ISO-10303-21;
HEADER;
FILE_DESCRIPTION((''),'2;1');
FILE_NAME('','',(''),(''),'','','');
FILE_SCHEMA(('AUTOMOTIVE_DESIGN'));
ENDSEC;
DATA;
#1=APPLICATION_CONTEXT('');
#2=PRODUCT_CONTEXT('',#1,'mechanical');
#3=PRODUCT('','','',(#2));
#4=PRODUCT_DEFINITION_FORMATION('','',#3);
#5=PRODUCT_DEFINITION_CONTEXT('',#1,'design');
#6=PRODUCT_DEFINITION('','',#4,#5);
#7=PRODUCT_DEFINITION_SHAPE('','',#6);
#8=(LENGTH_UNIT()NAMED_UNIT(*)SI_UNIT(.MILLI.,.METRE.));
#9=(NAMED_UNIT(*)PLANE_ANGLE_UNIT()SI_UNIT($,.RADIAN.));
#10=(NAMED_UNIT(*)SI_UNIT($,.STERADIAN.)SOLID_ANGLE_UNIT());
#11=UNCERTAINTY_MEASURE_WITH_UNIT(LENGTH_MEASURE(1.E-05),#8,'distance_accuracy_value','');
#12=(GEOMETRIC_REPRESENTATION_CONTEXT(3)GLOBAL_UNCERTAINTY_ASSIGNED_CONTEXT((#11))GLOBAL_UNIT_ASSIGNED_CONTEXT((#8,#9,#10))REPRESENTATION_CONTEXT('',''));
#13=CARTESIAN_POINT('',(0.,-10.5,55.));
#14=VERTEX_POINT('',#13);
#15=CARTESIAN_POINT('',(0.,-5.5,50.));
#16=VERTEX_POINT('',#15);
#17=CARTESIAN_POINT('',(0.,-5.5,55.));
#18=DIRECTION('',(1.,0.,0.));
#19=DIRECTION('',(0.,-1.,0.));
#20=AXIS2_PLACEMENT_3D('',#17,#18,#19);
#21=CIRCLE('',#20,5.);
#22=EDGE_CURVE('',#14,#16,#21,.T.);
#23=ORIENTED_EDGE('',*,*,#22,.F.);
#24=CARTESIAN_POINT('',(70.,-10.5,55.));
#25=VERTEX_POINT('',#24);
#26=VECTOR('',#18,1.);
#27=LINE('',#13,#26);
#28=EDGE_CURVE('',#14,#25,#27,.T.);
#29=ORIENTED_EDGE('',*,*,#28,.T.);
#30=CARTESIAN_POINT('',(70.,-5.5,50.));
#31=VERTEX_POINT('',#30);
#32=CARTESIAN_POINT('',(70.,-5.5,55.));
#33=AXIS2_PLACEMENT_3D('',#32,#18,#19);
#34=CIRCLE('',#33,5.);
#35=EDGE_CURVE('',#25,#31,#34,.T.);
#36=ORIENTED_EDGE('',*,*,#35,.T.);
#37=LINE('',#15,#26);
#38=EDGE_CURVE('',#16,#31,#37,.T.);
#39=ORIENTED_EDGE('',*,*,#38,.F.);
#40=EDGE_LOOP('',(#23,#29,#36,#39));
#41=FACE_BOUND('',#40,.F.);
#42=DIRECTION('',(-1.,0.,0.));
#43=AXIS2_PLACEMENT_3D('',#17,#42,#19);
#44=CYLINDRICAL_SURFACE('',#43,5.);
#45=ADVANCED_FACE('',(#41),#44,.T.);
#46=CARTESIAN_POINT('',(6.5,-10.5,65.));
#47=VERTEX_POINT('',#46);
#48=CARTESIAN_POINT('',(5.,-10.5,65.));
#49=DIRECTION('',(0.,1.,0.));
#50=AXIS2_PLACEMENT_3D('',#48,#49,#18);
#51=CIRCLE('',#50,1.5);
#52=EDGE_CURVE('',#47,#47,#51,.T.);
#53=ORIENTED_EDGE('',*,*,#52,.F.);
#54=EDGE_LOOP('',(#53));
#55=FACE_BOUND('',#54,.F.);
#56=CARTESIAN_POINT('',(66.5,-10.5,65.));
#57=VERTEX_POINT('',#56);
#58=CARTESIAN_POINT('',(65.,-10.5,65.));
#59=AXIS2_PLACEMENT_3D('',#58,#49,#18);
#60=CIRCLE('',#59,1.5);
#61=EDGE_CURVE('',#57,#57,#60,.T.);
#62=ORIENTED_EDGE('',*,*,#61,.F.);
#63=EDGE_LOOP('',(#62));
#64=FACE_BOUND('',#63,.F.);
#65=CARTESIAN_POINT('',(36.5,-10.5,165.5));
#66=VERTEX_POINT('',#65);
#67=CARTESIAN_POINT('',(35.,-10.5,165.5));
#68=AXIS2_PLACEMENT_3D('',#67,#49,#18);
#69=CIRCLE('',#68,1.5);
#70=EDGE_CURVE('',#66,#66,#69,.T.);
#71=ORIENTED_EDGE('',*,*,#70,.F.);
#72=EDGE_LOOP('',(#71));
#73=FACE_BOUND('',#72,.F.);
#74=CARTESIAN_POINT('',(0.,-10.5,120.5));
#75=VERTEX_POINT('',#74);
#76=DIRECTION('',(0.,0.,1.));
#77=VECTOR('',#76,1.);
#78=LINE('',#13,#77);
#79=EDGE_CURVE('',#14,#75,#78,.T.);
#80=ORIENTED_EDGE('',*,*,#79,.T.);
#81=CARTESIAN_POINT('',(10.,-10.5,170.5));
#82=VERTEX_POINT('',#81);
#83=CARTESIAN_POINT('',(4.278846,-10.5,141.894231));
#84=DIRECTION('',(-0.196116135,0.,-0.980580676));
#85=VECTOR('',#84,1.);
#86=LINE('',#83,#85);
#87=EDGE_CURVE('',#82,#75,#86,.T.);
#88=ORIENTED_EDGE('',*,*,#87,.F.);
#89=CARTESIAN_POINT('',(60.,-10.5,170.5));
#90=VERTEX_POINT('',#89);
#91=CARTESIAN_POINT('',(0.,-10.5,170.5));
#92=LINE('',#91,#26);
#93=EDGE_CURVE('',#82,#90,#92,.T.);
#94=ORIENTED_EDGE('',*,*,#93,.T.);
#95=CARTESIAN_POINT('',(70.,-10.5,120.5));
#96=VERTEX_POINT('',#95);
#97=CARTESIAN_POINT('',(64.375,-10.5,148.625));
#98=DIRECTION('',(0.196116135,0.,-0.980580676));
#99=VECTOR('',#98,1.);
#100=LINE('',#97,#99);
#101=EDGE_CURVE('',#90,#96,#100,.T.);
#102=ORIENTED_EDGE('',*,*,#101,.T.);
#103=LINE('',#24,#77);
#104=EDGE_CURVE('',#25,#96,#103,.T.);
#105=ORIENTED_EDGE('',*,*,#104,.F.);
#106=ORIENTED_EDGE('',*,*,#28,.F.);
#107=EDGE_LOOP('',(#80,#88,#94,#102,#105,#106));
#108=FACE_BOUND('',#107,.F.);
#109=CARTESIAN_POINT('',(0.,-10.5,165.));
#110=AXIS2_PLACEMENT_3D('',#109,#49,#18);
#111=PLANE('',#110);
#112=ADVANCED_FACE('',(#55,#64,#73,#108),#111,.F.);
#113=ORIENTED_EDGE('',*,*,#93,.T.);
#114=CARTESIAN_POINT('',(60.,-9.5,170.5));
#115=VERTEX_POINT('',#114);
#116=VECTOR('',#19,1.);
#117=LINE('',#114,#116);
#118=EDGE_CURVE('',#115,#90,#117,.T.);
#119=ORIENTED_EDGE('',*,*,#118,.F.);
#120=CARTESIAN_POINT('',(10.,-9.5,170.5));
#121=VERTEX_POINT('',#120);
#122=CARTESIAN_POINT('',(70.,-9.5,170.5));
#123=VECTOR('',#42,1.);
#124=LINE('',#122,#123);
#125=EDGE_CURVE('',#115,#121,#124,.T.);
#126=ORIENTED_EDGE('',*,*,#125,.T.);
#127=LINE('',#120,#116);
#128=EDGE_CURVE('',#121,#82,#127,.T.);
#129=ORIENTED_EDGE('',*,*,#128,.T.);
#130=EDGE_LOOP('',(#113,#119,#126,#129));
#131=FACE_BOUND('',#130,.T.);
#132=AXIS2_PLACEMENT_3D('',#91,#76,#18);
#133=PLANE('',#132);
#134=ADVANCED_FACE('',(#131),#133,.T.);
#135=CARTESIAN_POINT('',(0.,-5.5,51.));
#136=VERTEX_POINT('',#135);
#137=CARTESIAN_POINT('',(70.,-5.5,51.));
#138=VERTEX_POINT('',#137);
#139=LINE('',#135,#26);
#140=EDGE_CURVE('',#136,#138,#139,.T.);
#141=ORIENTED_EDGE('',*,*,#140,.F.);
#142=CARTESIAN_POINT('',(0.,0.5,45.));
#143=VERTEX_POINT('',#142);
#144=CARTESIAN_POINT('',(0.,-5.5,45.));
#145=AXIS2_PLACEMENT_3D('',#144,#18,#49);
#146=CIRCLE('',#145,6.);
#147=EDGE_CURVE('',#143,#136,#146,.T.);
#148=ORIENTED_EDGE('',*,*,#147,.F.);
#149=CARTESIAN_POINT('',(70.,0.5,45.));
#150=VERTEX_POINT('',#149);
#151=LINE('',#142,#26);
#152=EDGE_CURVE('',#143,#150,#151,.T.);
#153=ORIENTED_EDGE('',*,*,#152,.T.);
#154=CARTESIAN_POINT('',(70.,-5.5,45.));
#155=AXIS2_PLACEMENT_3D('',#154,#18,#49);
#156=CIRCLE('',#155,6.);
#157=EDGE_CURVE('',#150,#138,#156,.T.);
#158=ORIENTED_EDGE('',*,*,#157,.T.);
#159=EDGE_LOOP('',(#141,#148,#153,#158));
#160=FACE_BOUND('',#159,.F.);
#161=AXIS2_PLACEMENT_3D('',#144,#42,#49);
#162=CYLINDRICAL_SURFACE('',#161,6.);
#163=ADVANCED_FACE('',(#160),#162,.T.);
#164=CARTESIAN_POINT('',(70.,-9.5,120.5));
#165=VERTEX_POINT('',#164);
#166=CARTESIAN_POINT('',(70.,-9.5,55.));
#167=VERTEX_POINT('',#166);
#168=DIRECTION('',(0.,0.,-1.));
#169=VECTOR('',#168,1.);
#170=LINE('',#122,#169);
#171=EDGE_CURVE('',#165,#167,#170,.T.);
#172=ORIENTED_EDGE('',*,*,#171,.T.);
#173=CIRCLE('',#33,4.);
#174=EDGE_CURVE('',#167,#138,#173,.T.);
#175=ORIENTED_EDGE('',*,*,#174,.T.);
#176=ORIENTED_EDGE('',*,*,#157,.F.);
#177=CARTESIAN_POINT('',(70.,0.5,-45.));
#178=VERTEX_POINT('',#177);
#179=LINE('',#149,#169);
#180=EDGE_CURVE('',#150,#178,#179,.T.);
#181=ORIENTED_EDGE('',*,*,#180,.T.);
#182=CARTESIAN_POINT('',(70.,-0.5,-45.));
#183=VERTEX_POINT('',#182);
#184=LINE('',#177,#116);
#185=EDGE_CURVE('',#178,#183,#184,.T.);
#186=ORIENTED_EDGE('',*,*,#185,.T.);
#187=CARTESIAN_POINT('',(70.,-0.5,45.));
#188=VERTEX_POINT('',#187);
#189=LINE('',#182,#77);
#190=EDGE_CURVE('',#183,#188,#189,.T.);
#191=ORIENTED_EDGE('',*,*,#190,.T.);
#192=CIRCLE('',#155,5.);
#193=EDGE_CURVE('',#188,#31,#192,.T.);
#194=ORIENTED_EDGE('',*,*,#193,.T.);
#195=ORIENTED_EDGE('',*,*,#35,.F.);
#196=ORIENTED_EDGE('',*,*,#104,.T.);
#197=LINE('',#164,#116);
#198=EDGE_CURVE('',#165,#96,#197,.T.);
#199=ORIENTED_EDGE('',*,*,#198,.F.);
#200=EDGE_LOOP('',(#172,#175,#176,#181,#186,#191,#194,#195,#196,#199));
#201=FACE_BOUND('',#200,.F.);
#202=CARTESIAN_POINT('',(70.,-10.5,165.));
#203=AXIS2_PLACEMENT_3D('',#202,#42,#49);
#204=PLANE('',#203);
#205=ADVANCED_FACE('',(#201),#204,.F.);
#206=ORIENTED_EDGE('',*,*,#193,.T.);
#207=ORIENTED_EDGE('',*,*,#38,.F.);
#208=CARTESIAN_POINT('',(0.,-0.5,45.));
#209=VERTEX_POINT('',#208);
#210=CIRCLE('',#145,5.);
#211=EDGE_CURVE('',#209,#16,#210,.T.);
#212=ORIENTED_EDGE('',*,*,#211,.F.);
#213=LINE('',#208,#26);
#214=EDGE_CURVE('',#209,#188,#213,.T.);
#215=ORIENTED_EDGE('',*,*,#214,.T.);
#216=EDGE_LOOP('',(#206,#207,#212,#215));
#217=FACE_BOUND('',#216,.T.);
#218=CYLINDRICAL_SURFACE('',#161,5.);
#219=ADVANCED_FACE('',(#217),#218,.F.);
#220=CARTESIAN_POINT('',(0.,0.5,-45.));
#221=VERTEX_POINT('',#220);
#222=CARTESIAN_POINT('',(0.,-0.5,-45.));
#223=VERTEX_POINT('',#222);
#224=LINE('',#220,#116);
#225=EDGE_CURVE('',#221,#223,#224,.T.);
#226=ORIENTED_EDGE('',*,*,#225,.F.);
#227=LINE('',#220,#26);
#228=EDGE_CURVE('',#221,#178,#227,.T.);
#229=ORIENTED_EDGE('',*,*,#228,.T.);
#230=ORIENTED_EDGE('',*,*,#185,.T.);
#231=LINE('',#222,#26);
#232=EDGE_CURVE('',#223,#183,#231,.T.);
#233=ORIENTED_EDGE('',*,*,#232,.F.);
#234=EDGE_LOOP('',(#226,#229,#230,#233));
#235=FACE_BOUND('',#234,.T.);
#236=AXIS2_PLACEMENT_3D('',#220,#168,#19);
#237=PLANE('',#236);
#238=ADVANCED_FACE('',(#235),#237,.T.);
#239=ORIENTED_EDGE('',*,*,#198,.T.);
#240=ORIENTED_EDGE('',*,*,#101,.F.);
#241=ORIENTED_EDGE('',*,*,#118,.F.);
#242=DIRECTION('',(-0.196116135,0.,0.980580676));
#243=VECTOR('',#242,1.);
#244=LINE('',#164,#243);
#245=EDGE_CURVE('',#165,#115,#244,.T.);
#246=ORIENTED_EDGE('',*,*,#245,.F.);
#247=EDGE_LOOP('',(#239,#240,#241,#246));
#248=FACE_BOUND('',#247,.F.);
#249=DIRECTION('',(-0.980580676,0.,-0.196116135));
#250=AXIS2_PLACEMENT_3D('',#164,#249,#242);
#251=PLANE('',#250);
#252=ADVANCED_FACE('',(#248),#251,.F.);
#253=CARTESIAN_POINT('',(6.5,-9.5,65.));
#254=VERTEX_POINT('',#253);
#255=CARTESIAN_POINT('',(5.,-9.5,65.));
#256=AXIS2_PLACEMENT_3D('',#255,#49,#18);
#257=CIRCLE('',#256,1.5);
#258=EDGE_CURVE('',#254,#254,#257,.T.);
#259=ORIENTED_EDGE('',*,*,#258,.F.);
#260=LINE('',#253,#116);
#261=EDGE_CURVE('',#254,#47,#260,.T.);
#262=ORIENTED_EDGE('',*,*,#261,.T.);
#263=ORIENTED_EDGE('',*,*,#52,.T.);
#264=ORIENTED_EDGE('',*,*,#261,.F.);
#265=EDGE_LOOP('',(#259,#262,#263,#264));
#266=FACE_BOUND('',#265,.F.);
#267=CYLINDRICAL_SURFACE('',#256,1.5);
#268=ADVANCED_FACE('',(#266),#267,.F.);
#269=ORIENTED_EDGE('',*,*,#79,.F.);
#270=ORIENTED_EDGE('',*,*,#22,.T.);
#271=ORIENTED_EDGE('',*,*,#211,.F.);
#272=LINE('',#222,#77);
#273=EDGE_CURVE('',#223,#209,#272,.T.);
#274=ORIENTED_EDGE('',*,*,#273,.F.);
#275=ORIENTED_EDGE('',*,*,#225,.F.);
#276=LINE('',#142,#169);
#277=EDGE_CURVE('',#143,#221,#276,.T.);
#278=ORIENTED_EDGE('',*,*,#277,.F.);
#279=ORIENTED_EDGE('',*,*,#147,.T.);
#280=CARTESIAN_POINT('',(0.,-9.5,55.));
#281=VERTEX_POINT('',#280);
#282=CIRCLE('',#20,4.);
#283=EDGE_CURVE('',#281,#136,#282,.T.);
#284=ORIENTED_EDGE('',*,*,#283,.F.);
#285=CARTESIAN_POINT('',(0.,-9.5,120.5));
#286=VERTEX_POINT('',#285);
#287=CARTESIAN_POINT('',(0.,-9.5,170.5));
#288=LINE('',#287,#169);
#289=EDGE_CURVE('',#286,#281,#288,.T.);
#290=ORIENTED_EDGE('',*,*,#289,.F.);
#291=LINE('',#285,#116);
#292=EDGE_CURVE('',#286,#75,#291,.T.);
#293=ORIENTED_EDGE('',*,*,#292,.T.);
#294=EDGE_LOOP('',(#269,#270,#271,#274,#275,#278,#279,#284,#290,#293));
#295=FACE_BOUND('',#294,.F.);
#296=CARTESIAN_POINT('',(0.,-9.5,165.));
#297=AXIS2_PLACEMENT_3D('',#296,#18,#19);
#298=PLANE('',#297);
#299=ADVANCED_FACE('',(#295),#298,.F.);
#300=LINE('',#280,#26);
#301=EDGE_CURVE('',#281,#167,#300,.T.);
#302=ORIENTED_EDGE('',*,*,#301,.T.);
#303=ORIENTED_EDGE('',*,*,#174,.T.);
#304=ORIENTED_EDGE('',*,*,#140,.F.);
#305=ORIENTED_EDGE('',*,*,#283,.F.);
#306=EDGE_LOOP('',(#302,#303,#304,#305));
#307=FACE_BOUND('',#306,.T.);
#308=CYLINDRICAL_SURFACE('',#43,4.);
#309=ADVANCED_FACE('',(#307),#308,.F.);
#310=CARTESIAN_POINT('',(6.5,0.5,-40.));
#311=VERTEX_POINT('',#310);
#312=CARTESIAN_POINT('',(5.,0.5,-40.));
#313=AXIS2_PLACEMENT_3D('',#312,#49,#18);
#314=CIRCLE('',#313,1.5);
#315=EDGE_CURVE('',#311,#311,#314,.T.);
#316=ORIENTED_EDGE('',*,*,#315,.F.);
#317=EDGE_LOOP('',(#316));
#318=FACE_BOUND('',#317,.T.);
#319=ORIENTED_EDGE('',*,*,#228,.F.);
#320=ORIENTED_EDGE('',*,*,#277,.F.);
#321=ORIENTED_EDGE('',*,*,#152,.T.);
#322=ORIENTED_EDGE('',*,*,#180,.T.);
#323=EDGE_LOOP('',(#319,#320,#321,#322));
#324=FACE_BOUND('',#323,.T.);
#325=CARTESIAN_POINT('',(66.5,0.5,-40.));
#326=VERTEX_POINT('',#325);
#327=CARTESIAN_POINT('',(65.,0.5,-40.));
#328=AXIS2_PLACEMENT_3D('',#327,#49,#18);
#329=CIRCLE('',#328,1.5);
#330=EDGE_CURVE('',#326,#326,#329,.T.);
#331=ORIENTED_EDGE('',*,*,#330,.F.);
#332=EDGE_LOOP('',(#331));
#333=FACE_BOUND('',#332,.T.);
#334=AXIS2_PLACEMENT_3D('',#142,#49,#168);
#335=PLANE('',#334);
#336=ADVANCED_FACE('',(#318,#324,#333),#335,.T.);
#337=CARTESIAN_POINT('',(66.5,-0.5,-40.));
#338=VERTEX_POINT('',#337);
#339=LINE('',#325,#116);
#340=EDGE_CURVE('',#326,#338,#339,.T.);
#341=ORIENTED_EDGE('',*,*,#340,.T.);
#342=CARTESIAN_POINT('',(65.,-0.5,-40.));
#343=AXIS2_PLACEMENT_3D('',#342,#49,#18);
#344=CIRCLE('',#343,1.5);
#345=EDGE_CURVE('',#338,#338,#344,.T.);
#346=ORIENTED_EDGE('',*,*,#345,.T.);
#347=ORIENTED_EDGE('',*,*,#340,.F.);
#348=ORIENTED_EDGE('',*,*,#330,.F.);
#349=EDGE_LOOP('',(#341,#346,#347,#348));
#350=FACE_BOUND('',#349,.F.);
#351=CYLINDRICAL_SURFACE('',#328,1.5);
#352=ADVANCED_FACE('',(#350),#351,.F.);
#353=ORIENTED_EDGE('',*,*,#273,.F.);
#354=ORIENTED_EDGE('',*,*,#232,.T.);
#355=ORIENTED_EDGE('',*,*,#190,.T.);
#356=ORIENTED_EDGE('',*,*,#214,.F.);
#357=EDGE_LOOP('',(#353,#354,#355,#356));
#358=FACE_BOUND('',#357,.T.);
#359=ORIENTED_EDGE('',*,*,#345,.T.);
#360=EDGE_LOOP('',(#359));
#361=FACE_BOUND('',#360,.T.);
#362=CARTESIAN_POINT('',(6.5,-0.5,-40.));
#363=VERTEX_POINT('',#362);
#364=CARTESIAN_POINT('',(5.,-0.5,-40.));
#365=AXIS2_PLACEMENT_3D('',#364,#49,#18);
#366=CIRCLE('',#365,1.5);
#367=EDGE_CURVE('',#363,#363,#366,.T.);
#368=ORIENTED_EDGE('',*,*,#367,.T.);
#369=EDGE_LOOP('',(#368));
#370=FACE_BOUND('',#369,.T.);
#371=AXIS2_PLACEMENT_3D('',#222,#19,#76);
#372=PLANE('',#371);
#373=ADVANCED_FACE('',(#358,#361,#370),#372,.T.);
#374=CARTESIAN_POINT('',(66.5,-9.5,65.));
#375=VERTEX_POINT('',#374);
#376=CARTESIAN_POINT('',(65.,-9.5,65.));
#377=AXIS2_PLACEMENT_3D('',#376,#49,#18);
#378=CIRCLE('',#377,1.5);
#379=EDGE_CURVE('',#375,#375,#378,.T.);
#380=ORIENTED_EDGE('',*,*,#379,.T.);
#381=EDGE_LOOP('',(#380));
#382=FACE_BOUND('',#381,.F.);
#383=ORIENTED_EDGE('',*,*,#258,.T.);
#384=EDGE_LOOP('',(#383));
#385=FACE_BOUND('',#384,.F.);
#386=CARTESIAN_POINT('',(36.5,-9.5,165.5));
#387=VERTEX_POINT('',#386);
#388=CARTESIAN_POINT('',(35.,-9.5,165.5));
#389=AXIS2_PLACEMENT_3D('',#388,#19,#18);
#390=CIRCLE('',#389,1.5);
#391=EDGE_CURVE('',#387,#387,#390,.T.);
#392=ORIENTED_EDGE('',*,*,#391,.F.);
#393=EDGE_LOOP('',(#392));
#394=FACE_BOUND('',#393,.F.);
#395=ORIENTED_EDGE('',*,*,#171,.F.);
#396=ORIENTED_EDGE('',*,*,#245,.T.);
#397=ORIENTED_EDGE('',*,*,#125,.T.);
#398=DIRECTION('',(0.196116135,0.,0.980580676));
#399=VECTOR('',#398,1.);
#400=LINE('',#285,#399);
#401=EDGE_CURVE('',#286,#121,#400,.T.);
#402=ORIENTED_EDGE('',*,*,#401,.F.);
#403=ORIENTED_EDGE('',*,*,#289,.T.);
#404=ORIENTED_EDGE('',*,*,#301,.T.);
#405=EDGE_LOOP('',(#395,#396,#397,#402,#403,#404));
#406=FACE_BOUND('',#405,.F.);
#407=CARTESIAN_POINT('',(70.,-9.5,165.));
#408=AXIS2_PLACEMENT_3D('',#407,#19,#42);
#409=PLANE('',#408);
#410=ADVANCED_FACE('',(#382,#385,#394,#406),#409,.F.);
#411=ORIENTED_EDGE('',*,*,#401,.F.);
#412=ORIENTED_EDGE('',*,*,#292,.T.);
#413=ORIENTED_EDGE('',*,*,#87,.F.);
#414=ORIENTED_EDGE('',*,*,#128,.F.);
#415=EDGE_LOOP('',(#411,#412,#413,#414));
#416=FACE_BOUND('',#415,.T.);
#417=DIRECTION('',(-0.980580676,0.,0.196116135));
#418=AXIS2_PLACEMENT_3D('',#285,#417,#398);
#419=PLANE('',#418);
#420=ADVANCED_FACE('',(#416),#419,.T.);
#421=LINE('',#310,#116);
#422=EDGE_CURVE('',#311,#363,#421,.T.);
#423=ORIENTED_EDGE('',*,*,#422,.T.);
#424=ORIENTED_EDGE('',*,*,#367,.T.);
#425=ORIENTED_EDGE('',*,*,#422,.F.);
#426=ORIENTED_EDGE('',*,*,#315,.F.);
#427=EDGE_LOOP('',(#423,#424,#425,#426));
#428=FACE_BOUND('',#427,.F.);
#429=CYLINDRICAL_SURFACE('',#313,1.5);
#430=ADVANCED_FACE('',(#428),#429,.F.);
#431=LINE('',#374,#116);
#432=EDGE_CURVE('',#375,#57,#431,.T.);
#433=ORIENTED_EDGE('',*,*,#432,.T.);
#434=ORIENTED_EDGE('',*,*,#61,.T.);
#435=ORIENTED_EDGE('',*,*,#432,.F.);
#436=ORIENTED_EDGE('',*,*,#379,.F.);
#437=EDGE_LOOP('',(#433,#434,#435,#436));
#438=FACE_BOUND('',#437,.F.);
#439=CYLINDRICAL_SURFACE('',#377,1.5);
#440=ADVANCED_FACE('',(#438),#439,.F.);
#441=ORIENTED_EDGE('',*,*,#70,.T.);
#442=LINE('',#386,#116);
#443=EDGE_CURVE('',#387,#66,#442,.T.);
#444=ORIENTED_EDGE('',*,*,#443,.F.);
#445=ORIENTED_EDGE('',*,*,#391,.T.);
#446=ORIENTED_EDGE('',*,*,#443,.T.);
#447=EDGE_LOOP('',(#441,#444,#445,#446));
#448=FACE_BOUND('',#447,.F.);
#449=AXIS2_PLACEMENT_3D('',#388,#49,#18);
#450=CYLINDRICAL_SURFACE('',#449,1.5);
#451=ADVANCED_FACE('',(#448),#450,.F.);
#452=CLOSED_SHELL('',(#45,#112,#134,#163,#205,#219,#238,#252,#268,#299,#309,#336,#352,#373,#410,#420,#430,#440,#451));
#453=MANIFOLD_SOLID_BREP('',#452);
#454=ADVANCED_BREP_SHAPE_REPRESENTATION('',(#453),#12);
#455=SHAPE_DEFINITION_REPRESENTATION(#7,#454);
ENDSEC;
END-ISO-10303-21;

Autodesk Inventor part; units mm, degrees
ref_plane "YZ Plane" through (0, 0, 0) normal (1, 0, 0) x (0, 1, 0)
ref_plane "XZ Plane" through (0, 0, 0) normal (0, 1, 0) x (-1, 0, 0)
ref_plane "XY Plane" through (0, 0, 0) normal (0, 0, 1) x (1, 0, 0)
sketch "Sketch1" plane through (0, 0, 0) normal (1, 0, 0) x (0, 1, 0)
  line L0 (-0.5, 45) -> (0.5, 45)
  line L1 (0.5, 45) -> (0.5, -45)
  line L2 (0.5, -45) -> (-0.5, -45)
  line L3 (-0.5, -45) -> (-0.5, 45)
  line L4 (-0.5, 45) -> (0.5, -45) construction
  line L5 (0.5, 45) -> (-0.5, -45) construction
  line L6 (-0.5, 45) -> (-5.5, 45)
  line L7 (-5.5, 45) -> (-5.5, 50)
  line L8 (-5.5, 50) -> (-10.5, 50)
  line L9 (-10.5, 50) -> (-10.5, 55)
  arc A0 (-0.5, 45) -> (-5.5, 50) centre (-5.5, 45) ccw
  arc A1 (-10.5, 55) -> (-5.5, 50) centre (-5.5, 55) ccw
  line L10 (-5.5, 50) -> (-5.5, 51)
  arc A2 (0.5, 45) -> (-5.5, 51) centre (-5.5, 45) ccw
  line L11 (-10.5, 55) -> (-9.5, 55)
  line L12 (-10.5, 55) -> (-9.5, 55)
  line L13 (-9.5, 55) -> (-9.5, 165)
  line L14 (-9.5, 165) -> (-10.5, 165)
  line L15 (-10.5, 165) -> (-10.5, 55)
  arc A3 (-9.5, 55) -> (-5.5, 51) centre (-5.5, 55) ccw
  point P0 (0, 0)
  dimension "d0" = 1
  dimension "d1" = 90
  dimension "d2" = 5
  dimension "d3" = 5
  dimension "d4" = 5
  dimension "d5" = 5
  dimension "d6" = 5
  dimension "d7" = 5
  dimension "d8" = 1
  dimension "d9" = 6
  dimension "d10" = 1
  dimension "d12" = 1
  dimension "d13" = 110
  dimension "d14" = 4
extrude "Extrusion1" add sketch "Sketch1" along normal blind 70 contours A0 L10 A2 L0 | L0 L1 L2 L3 | A1 L11 A3 L10 | L15 L14 L13 L11
sketch "Sketch2" plane through (0, 0.5, 45) normal (0, 1, 0) x (1, 0, 0)
  circle A0 centre (5, 85) radius 1.5
  circle A1 centre (65, 85) radius 1.5
  line L0 (0, 90) -> (70, 90) projected
  line L1 (70, 90) -> (70, 0) projected
  line L2 (0, 90) -> (0, 0) projected
  point P0 (0, 45)
  dimension "d17" = 3
  dimension "d18" = 3
  dimension "d19" = 5
  dimension "d20" = 5
  dimension "d21" = 5
  dimension "d22" = 5
extrude "Extrusion2" cut sketch "Sketch2" against normal up to next
sketch "Sketch3" plane through (0, -9.5, 165) normal (0, 1, 0) x (1, 0, 0)
  circle A0 centre (5, 100) radius 1.5
  circle A1 centre (65, 100) radius 1.5
  line L0 (0, 110) -> (70, 110) projected
  line L1 (70, 110) -> (70, 0) projected
  line L2 (0, 110) -> (0, 0) projected
  point P0 (0, 165)
  dimension "d25" = 3
  dimension "d26" = 3
  dimension "d27" = 10
  dimension "d28" = 5
  dimension "d29" = 10
  dimension "d30" = 5
extrude "Extrusion3" cut sketch "Sketch3" against normal up to next
sketch "Sketch4" plane through (0, -10.5, 165) normal (0, 0, 1) x (1, 0, 0)
  line L0 (0, 0) -> (70, 0) projected
  line L1 (0, 0) -> (70, 0)
  line L2 (70, 0) -> (70, 1)
  line L3 (70, 1) -> (0, 1)
  line L4 (0, 1) -> (0, 0)
  point P0 (0, 10.5)
extrude "Extrusion4" add sketch "Sketch4" along normal blind 5.5
sketch "Sketch5" plane through (0, -9.5, 55) normal (0, 1, 0) x (1, 0, 0)
  line L0 (70, -115.5) -> (0, -115.5) projected
  line L1 (35, -115.5) -> (35, -110.5)
  circle A0 centre (35, -110.5) radius 1.5
  point P0 (0, 55)
  dimension "d35" = 5
  dimension "d36" = 3
extrude "Extrusion5" cut sketch "Sketch5" against normal up to next
sketch "Sketch6" plane through (0, -9.5, 55) normal (0, 1, 0) x (1, 0, 0)
  line L0 (70, -115.5) -> (0, -115.5) projected
  line L1 (35, -115.5) -> (60, -115.5)
  line L2 (35, -115.5) -> (10, -115.5)
  line L3 (0, -115.5) -> (0, -65.5)
  line L4 (0, 0) -> (0, -115.5) projected
  line L5 (70, -115.5) -> (70, -65.5)
  line L6 (70, 0) -> (70, -115.5) projected
  line L7 (70, -65.5) -> (60, -115.5)
  line L8 (0, -65.5) -> (10, -115.5)
  line L9 (10, -115.5) -> (0, -115.5)
  line L10 (60, -115.5) -> (70, -115.5)
  point P0 (0, 55)
  dimension "d39" = 25
  dimension "d40" = 25
  dimension "d41" = 50
  dimension "d42" = 50
extrude "Extrusion6" cut sketch "Sketch6" against normal up to next
properties part number "cover" material "PET Plastic"
